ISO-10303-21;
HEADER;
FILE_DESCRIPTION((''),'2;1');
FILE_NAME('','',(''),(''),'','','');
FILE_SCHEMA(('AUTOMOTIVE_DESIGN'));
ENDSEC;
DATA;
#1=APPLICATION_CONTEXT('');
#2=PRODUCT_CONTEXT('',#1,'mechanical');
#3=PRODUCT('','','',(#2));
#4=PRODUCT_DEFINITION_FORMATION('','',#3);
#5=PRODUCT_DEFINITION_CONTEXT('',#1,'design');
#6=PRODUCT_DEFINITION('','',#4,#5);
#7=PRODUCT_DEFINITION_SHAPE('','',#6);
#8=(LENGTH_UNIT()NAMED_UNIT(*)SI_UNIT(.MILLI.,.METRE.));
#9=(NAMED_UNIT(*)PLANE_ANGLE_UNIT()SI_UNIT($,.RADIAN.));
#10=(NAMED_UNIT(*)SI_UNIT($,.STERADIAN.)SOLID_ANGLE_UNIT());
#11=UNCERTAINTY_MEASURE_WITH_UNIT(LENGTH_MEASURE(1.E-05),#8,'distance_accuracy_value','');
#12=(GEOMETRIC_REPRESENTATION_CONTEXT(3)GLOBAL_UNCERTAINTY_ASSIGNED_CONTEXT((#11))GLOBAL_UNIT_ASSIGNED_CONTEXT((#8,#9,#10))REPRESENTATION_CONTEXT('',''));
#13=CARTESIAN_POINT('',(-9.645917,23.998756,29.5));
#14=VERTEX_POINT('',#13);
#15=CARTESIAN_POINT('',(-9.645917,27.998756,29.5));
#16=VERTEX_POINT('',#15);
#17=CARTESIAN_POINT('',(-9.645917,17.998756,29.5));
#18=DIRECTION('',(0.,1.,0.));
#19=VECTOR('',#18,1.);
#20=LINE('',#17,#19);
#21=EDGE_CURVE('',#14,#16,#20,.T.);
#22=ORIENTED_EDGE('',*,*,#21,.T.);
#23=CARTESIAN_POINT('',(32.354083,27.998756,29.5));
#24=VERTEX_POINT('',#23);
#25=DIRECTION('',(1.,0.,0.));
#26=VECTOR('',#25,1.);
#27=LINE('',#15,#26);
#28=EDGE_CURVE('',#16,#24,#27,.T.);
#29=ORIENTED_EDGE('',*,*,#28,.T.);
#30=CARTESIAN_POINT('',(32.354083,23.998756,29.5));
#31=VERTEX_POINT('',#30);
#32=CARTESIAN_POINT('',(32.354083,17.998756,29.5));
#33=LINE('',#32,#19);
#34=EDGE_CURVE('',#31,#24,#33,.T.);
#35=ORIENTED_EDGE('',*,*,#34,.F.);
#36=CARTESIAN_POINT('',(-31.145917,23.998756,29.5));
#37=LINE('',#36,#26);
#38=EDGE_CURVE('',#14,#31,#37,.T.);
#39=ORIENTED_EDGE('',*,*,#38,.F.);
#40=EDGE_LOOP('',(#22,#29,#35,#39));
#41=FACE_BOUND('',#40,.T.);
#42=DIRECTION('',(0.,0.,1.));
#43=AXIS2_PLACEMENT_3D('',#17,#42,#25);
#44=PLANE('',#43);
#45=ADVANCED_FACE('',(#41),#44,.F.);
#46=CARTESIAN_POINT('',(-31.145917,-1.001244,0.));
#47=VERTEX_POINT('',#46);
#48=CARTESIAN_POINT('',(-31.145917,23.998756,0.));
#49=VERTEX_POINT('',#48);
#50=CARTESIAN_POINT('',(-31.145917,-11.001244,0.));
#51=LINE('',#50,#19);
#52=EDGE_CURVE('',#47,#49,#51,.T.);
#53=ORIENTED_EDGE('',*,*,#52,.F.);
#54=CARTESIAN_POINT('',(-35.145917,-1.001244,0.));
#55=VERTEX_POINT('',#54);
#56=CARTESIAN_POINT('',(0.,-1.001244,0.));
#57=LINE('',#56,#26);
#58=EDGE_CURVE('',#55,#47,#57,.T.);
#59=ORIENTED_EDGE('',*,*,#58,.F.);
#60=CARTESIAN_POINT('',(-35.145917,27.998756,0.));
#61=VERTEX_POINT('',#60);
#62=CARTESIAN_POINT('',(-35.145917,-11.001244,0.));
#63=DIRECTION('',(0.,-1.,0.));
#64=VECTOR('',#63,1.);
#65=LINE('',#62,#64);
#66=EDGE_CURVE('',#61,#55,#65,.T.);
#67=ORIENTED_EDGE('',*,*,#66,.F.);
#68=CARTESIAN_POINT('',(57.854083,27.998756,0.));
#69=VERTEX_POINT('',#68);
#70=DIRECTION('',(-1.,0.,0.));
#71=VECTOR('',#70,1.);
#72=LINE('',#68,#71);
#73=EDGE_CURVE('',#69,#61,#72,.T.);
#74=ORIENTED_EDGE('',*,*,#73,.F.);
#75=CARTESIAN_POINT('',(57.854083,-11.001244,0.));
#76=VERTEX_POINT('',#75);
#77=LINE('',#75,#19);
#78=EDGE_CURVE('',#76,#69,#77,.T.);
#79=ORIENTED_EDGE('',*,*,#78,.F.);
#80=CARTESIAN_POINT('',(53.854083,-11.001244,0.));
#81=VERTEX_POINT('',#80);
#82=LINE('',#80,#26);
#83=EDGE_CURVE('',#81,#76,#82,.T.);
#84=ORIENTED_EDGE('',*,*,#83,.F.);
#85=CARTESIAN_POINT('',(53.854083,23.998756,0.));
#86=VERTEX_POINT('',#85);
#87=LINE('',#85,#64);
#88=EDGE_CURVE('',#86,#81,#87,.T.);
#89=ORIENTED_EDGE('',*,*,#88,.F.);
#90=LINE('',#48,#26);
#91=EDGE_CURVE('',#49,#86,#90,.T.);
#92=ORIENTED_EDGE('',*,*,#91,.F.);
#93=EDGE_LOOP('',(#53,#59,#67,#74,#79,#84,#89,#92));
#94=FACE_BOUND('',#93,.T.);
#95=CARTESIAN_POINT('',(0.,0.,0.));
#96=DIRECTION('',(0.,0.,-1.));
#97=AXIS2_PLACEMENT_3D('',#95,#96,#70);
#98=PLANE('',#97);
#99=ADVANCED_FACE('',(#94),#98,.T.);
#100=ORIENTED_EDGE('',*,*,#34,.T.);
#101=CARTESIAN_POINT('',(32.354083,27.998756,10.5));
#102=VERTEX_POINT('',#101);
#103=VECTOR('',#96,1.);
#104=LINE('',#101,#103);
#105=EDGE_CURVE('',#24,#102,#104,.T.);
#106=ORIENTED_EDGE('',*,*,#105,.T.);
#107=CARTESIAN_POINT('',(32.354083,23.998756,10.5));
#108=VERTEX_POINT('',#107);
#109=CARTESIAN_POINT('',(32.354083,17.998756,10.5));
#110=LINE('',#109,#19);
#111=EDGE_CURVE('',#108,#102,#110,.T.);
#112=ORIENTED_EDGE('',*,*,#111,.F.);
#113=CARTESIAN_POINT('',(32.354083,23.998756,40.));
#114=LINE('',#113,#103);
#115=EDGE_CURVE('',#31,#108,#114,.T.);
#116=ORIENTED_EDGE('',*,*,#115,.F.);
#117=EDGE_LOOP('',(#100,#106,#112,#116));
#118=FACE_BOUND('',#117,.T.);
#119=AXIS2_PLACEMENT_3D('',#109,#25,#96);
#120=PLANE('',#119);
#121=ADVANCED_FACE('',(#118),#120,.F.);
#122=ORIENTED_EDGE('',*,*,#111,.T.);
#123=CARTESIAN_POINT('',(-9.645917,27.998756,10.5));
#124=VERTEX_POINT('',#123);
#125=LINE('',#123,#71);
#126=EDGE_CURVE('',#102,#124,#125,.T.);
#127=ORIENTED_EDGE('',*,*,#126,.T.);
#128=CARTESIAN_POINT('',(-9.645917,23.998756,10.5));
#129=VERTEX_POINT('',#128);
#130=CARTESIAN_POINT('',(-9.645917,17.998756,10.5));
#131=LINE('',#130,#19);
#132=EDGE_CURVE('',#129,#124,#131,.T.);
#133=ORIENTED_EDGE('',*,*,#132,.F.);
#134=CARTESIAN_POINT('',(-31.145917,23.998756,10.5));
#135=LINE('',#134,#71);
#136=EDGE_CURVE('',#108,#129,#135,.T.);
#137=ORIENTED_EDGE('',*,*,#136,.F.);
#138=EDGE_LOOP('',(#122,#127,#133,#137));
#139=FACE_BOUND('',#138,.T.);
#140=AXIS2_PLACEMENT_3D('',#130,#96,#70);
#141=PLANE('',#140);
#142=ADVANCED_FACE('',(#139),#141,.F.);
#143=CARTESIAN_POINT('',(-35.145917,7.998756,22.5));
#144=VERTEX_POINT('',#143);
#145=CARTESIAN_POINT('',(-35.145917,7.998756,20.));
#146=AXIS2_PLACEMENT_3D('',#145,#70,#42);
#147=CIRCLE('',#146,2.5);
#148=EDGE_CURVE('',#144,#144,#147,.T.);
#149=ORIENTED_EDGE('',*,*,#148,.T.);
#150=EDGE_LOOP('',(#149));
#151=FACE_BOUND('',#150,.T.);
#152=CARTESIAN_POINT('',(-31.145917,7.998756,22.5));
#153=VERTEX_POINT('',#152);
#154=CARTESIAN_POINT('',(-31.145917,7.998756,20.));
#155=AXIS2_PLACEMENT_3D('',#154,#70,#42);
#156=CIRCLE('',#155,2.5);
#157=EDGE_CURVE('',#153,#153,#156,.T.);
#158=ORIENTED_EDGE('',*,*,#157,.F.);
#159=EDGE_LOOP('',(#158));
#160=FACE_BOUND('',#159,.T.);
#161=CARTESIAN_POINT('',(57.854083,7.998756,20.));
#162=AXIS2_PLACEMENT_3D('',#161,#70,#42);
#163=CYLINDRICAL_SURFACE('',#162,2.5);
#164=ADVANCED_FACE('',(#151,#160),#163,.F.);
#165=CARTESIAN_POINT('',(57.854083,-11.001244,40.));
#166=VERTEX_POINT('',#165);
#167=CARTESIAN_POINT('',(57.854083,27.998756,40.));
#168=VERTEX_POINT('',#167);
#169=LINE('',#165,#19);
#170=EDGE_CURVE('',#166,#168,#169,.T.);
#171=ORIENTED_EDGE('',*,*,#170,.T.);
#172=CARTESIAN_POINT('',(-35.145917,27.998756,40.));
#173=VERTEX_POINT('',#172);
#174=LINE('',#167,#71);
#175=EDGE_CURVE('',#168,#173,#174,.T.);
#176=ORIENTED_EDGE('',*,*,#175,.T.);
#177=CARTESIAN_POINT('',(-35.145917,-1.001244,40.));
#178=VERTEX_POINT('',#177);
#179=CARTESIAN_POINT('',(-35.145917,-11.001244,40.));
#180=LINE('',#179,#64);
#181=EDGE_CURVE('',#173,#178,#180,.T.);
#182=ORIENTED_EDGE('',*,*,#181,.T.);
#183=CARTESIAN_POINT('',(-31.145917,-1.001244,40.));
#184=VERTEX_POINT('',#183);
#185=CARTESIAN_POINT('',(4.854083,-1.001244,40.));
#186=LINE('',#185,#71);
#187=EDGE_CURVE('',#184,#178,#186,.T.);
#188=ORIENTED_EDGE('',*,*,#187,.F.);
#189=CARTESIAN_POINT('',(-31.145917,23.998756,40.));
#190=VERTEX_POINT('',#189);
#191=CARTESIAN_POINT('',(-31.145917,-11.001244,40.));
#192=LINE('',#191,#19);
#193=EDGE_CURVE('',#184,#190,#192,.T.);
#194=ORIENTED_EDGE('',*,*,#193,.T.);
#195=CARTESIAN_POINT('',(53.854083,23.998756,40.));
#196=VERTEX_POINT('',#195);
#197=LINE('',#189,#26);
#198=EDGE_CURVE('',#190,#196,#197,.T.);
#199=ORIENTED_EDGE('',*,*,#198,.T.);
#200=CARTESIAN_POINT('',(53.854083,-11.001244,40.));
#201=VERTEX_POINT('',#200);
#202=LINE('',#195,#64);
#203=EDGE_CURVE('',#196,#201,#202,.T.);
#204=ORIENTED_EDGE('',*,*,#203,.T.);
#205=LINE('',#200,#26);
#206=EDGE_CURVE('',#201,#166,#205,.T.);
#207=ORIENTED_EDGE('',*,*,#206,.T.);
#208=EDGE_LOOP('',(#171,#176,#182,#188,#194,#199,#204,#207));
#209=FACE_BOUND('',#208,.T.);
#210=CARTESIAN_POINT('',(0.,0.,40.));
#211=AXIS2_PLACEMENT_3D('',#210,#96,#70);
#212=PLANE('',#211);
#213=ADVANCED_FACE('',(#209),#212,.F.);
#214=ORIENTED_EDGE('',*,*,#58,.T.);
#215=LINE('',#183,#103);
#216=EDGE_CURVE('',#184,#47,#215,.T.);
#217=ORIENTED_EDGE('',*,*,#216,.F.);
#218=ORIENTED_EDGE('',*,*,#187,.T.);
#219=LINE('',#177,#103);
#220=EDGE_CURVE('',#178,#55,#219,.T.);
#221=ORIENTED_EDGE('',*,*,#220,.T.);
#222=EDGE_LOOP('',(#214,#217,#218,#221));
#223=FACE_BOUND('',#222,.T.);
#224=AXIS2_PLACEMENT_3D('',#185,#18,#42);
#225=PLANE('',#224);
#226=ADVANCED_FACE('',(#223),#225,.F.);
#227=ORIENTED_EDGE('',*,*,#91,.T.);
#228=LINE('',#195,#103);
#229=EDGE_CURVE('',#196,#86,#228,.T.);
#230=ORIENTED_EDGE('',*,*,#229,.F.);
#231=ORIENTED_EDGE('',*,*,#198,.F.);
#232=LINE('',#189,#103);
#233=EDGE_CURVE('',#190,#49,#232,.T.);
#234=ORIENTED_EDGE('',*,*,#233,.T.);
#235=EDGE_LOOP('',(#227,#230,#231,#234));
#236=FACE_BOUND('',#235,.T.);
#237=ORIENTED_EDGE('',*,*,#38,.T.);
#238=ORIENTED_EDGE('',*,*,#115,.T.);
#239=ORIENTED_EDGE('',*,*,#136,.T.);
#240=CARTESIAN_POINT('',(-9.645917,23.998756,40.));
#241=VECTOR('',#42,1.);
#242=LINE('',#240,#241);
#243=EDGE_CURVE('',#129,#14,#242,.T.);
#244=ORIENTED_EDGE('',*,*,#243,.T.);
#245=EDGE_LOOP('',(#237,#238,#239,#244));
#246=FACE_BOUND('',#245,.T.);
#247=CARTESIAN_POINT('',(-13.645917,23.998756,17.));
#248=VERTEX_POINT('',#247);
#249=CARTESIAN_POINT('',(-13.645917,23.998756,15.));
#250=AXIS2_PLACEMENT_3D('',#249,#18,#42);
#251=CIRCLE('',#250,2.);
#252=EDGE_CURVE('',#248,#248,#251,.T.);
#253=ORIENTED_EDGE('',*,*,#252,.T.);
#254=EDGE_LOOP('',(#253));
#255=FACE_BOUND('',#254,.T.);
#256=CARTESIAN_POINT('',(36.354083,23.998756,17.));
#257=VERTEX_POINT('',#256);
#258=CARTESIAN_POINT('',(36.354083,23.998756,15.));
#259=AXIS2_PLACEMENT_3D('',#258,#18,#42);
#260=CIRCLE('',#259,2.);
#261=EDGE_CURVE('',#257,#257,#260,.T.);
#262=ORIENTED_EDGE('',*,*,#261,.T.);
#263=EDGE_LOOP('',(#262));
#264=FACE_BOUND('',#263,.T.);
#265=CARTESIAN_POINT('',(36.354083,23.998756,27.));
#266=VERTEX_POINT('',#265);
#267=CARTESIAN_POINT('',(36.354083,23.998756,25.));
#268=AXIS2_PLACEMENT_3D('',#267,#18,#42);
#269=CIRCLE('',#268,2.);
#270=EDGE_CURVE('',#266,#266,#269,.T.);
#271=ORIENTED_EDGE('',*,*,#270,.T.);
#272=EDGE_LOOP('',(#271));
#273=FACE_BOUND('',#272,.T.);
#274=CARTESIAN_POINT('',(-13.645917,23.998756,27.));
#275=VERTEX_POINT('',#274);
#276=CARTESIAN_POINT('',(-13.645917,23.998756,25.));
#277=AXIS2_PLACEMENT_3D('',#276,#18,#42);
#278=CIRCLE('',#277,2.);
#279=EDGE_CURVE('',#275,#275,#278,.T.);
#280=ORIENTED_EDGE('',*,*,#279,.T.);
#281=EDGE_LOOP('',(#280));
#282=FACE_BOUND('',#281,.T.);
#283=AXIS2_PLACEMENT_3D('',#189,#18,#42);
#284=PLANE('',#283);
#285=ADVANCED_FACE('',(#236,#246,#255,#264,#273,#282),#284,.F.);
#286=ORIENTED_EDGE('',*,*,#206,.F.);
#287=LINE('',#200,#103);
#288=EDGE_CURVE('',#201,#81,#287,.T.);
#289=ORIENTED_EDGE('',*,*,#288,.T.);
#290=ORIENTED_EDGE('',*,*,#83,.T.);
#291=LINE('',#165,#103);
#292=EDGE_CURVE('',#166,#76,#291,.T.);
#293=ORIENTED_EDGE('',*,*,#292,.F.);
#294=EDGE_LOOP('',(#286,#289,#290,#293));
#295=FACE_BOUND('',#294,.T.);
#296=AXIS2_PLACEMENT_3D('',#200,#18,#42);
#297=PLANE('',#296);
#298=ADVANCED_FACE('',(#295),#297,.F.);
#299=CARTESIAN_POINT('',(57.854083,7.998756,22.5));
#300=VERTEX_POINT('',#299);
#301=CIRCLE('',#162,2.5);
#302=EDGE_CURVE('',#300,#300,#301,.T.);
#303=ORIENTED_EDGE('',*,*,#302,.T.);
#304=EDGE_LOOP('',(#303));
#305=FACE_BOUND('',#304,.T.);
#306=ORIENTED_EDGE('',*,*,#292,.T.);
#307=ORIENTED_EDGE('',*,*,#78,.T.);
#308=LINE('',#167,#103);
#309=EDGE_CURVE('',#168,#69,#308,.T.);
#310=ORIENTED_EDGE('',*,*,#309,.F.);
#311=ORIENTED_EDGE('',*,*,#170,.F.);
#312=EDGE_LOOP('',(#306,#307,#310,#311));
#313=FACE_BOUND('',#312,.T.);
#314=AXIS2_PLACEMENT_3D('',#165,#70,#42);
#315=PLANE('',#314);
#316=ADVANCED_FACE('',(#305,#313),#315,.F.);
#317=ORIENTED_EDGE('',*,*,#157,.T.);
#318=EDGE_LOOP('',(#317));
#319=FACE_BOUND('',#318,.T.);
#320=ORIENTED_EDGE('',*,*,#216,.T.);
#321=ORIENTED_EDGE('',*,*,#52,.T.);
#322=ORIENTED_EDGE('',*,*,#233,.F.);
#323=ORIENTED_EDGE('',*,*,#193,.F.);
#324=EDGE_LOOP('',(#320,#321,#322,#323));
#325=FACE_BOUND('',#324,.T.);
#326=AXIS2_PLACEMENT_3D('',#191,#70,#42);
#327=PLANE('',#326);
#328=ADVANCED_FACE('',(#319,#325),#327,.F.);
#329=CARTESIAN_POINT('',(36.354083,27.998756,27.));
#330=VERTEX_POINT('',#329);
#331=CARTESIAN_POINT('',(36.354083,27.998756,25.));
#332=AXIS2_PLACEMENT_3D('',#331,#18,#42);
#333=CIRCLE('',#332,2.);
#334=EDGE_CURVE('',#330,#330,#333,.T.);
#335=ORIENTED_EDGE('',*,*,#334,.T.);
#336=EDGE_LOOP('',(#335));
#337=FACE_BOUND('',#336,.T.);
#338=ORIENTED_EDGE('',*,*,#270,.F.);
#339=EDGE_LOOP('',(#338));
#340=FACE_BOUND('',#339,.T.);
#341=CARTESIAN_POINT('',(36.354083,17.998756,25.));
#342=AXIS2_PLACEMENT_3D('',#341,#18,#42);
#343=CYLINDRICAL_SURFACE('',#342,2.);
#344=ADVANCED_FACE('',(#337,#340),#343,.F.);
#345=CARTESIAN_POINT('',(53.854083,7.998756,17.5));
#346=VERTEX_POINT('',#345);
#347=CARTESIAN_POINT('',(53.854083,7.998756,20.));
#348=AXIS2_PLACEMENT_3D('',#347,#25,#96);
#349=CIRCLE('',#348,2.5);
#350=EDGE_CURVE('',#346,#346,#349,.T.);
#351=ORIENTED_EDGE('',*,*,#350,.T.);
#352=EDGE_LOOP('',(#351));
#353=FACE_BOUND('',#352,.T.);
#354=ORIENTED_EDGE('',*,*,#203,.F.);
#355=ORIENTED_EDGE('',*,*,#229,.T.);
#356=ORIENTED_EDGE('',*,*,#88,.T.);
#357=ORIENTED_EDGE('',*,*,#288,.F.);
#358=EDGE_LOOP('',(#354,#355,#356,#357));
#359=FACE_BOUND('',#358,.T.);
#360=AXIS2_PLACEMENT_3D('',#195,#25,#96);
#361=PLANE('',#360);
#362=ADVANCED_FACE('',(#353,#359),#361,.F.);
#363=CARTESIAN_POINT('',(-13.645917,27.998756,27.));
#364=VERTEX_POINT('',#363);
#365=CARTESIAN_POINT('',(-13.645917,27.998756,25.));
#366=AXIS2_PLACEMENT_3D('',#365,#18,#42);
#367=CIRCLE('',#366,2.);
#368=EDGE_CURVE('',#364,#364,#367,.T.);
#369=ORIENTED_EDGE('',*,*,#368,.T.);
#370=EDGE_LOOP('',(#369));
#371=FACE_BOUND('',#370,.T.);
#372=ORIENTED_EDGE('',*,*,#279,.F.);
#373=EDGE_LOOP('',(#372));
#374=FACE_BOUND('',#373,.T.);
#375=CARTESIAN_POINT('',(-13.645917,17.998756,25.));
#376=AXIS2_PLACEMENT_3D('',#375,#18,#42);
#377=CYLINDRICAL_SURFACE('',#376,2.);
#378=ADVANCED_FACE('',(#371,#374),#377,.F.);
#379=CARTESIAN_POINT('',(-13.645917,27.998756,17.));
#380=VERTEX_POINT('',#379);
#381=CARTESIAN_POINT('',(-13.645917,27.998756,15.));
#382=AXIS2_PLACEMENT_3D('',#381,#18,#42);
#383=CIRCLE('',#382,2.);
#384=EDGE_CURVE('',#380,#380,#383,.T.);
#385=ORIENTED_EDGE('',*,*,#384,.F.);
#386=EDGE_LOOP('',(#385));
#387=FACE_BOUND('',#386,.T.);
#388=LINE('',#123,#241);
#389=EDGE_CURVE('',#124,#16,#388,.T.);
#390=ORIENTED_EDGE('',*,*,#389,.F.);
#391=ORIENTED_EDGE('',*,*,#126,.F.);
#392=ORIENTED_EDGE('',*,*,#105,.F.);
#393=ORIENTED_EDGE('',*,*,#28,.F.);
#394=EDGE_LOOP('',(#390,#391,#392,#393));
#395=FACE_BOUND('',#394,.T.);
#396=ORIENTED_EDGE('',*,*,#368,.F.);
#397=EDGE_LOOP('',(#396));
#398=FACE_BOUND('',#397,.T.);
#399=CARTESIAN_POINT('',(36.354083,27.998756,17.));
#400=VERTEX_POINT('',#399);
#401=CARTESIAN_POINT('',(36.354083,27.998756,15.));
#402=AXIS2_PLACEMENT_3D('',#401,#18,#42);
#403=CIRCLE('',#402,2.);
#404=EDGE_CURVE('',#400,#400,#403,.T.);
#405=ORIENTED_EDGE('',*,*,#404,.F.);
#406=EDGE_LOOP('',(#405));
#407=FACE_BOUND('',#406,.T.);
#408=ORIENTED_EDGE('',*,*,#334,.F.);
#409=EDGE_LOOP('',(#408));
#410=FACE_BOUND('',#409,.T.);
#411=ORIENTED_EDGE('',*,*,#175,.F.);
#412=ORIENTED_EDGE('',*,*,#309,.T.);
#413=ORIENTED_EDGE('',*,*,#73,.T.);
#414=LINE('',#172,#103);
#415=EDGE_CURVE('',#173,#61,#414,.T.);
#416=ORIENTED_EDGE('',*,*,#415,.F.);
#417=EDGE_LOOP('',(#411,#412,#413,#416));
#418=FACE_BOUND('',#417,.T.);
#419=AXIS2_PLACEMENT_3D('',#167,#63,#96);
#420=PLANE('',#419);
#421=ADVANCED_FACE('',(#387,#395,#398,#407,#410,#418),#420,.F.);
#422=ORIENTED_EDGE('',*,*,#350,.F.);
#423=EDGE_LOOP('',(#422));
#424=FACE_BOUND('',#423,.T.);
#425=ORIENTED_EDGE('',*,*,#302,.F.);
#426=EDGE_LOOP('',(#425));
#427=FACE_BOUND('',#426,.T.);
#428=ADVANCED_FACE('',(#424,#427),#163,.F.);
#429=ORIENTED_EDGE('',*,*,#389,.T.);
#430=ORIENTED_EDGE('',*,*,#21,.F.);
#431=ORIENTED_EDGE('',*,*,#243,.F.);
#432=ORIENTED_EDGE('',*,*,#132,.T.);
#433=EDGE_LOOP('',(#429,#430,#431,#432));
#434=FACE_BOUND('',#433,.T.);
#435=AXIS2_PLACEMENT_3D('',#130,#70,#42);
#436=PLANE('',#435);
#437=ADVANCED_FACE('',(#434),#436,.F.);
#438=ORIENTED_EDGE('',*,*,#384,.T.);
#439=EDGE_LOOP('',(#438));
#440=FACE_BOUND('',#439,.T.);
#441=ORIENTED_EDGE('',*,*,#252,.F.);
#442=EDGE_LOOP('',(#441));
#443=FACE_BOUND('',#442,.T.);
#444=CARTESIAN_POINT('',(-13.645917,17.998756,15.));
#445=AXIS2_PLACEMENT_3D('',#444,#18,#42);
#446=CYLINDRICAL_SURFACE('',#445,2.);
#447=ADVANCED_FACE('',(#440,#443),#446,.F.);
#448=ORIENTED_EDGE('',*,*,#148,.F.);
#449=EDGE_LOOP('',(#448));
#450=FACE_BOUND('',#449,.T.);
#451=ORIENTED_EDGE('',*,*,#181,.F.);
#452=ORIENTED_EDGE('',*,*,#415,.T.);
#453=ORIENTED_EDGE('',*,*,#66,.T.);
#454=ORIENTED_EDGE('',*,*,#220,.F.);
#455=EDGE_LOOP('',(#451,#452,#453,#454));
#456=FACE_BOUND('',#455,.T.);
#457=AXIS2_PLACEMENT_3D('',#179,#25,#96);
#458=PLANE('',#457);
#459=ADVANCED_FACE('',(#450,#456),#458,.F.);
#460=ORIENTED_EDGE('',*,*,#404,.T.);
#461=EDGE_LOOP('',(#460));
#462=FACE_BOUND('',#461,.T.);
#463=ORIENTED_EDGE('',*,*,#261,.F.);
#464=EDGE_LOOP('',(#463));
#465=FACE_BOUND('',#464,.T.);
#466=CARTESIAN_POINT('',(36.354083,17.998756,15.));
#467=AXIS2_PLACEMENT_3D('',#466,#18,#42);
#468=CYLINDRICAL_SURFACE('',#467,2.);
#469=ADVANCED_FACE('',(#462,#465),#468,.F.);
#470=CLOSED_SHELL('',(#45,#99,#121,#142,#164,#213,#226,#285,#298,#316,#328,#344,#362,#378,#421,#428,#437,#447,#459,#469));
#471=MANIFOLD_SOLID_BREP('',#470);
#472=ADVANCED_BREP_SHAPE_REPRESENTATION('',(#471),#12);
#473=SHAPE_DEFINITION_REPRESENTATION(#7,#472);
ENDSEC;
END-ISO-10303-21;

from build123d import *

# Parameters (mm, degrees)
SALIENTE_EXTRUIR1_DEPTH = 40
CROQUIS3_R              = 2.5
CORTAR_EXTRUIR1_DEPTH   = 94
CROQUIS5_W              = 40
CROQUIS5_H              = 10
CORTAR_EXTRUIR2_DEPTH   = 40
CROQUIS6_W              = 42
CROQUIS6_H              = 19
CORTAR_EXTRUIR3_DEPTH   = 10
CROQUIS7_R              = 2
CORTAR_EXTRUIR4_DEPTH   = 10


with BuildPart() as part:
    # Croquis2 → Saliente-Extruir1 (new body)
    with BuildSketch(Plane.XY):
        Polygon((-31.145916957, -11.001243781), (-31.145916957, 23.998756219), (53.854083043, 23.998756219), (53.854083043, -11.001243781), (57.854083043, -11.001243781), (57.854083043, 27.998756219), (-35.145916957, 27.998756219), (-35.145916957, -11.001243781), align=None)
    extrude(amount=SALIENTE_EXTRUIR1_DEPTH)

    # Croquis3 → Cortar-Extruir1 (cut, through all)
    with BuildSketch(Plane.ZY.offset(35.145916957)):
        with Locations((20, 7.998756219)):
            Circle(CROQUIS3_R)
    extrude(amount=-CORTAR_EXTRUIR1_DEPTH, mode=Mode.SUBTRACT)

    # Croquis5 → Cortar-Extruir2 (cut)
    with BuildSketch(Plane.ZY.offset(35.145916957)):
        with Locations((20, -6.001243781)):
            Rectangle(CROQUIS5_W, CROQUIS5_H)
    extrude(amount=-CORTAR_EXTRUIR2_DEPTH, mode=Mode.SUBTRACT)

    # Croquis6 → Cortar-Extruir3 (cut)
    with BuildSketch(Plane(origin=(0, 27.998756219, 0), x_dir=(1, 0, 0), z_dir=(0, 1, 0))):
        with Locations((11.354083043, -20)):
            Rectangle(CROQUIS6_W, CROQUIS6_H)
    extrude(amount=-CORTAR_EXTRUIR3_DEPTH, mode=Mode.SUBTRACT)

    # Croquis7 → Cortar-Extruir4 (cut)
    with BuildSketch(Plane(origin=(0, 27.998756219, 0), x_dir=(1, 0, 0), z_dir=(0, 1, 0))):
        with Locations((-13.645916957, -15)):
            Circle(CROQUIS7_R)
        with Locations((-13.645916957, -25)):
            Circle(CROQUIS7_R)
        with Locations((36.354083043, -15)):
            Circle(CROQUIS7_R)
        with Locations((36.354083043, -25)):
            Circle(CROQUIS7_R)
    extrude(amount=-CORTAR_EXTRUIR4_DEPTH, mode=Mode.SUBTRACT)


solid = part.part
